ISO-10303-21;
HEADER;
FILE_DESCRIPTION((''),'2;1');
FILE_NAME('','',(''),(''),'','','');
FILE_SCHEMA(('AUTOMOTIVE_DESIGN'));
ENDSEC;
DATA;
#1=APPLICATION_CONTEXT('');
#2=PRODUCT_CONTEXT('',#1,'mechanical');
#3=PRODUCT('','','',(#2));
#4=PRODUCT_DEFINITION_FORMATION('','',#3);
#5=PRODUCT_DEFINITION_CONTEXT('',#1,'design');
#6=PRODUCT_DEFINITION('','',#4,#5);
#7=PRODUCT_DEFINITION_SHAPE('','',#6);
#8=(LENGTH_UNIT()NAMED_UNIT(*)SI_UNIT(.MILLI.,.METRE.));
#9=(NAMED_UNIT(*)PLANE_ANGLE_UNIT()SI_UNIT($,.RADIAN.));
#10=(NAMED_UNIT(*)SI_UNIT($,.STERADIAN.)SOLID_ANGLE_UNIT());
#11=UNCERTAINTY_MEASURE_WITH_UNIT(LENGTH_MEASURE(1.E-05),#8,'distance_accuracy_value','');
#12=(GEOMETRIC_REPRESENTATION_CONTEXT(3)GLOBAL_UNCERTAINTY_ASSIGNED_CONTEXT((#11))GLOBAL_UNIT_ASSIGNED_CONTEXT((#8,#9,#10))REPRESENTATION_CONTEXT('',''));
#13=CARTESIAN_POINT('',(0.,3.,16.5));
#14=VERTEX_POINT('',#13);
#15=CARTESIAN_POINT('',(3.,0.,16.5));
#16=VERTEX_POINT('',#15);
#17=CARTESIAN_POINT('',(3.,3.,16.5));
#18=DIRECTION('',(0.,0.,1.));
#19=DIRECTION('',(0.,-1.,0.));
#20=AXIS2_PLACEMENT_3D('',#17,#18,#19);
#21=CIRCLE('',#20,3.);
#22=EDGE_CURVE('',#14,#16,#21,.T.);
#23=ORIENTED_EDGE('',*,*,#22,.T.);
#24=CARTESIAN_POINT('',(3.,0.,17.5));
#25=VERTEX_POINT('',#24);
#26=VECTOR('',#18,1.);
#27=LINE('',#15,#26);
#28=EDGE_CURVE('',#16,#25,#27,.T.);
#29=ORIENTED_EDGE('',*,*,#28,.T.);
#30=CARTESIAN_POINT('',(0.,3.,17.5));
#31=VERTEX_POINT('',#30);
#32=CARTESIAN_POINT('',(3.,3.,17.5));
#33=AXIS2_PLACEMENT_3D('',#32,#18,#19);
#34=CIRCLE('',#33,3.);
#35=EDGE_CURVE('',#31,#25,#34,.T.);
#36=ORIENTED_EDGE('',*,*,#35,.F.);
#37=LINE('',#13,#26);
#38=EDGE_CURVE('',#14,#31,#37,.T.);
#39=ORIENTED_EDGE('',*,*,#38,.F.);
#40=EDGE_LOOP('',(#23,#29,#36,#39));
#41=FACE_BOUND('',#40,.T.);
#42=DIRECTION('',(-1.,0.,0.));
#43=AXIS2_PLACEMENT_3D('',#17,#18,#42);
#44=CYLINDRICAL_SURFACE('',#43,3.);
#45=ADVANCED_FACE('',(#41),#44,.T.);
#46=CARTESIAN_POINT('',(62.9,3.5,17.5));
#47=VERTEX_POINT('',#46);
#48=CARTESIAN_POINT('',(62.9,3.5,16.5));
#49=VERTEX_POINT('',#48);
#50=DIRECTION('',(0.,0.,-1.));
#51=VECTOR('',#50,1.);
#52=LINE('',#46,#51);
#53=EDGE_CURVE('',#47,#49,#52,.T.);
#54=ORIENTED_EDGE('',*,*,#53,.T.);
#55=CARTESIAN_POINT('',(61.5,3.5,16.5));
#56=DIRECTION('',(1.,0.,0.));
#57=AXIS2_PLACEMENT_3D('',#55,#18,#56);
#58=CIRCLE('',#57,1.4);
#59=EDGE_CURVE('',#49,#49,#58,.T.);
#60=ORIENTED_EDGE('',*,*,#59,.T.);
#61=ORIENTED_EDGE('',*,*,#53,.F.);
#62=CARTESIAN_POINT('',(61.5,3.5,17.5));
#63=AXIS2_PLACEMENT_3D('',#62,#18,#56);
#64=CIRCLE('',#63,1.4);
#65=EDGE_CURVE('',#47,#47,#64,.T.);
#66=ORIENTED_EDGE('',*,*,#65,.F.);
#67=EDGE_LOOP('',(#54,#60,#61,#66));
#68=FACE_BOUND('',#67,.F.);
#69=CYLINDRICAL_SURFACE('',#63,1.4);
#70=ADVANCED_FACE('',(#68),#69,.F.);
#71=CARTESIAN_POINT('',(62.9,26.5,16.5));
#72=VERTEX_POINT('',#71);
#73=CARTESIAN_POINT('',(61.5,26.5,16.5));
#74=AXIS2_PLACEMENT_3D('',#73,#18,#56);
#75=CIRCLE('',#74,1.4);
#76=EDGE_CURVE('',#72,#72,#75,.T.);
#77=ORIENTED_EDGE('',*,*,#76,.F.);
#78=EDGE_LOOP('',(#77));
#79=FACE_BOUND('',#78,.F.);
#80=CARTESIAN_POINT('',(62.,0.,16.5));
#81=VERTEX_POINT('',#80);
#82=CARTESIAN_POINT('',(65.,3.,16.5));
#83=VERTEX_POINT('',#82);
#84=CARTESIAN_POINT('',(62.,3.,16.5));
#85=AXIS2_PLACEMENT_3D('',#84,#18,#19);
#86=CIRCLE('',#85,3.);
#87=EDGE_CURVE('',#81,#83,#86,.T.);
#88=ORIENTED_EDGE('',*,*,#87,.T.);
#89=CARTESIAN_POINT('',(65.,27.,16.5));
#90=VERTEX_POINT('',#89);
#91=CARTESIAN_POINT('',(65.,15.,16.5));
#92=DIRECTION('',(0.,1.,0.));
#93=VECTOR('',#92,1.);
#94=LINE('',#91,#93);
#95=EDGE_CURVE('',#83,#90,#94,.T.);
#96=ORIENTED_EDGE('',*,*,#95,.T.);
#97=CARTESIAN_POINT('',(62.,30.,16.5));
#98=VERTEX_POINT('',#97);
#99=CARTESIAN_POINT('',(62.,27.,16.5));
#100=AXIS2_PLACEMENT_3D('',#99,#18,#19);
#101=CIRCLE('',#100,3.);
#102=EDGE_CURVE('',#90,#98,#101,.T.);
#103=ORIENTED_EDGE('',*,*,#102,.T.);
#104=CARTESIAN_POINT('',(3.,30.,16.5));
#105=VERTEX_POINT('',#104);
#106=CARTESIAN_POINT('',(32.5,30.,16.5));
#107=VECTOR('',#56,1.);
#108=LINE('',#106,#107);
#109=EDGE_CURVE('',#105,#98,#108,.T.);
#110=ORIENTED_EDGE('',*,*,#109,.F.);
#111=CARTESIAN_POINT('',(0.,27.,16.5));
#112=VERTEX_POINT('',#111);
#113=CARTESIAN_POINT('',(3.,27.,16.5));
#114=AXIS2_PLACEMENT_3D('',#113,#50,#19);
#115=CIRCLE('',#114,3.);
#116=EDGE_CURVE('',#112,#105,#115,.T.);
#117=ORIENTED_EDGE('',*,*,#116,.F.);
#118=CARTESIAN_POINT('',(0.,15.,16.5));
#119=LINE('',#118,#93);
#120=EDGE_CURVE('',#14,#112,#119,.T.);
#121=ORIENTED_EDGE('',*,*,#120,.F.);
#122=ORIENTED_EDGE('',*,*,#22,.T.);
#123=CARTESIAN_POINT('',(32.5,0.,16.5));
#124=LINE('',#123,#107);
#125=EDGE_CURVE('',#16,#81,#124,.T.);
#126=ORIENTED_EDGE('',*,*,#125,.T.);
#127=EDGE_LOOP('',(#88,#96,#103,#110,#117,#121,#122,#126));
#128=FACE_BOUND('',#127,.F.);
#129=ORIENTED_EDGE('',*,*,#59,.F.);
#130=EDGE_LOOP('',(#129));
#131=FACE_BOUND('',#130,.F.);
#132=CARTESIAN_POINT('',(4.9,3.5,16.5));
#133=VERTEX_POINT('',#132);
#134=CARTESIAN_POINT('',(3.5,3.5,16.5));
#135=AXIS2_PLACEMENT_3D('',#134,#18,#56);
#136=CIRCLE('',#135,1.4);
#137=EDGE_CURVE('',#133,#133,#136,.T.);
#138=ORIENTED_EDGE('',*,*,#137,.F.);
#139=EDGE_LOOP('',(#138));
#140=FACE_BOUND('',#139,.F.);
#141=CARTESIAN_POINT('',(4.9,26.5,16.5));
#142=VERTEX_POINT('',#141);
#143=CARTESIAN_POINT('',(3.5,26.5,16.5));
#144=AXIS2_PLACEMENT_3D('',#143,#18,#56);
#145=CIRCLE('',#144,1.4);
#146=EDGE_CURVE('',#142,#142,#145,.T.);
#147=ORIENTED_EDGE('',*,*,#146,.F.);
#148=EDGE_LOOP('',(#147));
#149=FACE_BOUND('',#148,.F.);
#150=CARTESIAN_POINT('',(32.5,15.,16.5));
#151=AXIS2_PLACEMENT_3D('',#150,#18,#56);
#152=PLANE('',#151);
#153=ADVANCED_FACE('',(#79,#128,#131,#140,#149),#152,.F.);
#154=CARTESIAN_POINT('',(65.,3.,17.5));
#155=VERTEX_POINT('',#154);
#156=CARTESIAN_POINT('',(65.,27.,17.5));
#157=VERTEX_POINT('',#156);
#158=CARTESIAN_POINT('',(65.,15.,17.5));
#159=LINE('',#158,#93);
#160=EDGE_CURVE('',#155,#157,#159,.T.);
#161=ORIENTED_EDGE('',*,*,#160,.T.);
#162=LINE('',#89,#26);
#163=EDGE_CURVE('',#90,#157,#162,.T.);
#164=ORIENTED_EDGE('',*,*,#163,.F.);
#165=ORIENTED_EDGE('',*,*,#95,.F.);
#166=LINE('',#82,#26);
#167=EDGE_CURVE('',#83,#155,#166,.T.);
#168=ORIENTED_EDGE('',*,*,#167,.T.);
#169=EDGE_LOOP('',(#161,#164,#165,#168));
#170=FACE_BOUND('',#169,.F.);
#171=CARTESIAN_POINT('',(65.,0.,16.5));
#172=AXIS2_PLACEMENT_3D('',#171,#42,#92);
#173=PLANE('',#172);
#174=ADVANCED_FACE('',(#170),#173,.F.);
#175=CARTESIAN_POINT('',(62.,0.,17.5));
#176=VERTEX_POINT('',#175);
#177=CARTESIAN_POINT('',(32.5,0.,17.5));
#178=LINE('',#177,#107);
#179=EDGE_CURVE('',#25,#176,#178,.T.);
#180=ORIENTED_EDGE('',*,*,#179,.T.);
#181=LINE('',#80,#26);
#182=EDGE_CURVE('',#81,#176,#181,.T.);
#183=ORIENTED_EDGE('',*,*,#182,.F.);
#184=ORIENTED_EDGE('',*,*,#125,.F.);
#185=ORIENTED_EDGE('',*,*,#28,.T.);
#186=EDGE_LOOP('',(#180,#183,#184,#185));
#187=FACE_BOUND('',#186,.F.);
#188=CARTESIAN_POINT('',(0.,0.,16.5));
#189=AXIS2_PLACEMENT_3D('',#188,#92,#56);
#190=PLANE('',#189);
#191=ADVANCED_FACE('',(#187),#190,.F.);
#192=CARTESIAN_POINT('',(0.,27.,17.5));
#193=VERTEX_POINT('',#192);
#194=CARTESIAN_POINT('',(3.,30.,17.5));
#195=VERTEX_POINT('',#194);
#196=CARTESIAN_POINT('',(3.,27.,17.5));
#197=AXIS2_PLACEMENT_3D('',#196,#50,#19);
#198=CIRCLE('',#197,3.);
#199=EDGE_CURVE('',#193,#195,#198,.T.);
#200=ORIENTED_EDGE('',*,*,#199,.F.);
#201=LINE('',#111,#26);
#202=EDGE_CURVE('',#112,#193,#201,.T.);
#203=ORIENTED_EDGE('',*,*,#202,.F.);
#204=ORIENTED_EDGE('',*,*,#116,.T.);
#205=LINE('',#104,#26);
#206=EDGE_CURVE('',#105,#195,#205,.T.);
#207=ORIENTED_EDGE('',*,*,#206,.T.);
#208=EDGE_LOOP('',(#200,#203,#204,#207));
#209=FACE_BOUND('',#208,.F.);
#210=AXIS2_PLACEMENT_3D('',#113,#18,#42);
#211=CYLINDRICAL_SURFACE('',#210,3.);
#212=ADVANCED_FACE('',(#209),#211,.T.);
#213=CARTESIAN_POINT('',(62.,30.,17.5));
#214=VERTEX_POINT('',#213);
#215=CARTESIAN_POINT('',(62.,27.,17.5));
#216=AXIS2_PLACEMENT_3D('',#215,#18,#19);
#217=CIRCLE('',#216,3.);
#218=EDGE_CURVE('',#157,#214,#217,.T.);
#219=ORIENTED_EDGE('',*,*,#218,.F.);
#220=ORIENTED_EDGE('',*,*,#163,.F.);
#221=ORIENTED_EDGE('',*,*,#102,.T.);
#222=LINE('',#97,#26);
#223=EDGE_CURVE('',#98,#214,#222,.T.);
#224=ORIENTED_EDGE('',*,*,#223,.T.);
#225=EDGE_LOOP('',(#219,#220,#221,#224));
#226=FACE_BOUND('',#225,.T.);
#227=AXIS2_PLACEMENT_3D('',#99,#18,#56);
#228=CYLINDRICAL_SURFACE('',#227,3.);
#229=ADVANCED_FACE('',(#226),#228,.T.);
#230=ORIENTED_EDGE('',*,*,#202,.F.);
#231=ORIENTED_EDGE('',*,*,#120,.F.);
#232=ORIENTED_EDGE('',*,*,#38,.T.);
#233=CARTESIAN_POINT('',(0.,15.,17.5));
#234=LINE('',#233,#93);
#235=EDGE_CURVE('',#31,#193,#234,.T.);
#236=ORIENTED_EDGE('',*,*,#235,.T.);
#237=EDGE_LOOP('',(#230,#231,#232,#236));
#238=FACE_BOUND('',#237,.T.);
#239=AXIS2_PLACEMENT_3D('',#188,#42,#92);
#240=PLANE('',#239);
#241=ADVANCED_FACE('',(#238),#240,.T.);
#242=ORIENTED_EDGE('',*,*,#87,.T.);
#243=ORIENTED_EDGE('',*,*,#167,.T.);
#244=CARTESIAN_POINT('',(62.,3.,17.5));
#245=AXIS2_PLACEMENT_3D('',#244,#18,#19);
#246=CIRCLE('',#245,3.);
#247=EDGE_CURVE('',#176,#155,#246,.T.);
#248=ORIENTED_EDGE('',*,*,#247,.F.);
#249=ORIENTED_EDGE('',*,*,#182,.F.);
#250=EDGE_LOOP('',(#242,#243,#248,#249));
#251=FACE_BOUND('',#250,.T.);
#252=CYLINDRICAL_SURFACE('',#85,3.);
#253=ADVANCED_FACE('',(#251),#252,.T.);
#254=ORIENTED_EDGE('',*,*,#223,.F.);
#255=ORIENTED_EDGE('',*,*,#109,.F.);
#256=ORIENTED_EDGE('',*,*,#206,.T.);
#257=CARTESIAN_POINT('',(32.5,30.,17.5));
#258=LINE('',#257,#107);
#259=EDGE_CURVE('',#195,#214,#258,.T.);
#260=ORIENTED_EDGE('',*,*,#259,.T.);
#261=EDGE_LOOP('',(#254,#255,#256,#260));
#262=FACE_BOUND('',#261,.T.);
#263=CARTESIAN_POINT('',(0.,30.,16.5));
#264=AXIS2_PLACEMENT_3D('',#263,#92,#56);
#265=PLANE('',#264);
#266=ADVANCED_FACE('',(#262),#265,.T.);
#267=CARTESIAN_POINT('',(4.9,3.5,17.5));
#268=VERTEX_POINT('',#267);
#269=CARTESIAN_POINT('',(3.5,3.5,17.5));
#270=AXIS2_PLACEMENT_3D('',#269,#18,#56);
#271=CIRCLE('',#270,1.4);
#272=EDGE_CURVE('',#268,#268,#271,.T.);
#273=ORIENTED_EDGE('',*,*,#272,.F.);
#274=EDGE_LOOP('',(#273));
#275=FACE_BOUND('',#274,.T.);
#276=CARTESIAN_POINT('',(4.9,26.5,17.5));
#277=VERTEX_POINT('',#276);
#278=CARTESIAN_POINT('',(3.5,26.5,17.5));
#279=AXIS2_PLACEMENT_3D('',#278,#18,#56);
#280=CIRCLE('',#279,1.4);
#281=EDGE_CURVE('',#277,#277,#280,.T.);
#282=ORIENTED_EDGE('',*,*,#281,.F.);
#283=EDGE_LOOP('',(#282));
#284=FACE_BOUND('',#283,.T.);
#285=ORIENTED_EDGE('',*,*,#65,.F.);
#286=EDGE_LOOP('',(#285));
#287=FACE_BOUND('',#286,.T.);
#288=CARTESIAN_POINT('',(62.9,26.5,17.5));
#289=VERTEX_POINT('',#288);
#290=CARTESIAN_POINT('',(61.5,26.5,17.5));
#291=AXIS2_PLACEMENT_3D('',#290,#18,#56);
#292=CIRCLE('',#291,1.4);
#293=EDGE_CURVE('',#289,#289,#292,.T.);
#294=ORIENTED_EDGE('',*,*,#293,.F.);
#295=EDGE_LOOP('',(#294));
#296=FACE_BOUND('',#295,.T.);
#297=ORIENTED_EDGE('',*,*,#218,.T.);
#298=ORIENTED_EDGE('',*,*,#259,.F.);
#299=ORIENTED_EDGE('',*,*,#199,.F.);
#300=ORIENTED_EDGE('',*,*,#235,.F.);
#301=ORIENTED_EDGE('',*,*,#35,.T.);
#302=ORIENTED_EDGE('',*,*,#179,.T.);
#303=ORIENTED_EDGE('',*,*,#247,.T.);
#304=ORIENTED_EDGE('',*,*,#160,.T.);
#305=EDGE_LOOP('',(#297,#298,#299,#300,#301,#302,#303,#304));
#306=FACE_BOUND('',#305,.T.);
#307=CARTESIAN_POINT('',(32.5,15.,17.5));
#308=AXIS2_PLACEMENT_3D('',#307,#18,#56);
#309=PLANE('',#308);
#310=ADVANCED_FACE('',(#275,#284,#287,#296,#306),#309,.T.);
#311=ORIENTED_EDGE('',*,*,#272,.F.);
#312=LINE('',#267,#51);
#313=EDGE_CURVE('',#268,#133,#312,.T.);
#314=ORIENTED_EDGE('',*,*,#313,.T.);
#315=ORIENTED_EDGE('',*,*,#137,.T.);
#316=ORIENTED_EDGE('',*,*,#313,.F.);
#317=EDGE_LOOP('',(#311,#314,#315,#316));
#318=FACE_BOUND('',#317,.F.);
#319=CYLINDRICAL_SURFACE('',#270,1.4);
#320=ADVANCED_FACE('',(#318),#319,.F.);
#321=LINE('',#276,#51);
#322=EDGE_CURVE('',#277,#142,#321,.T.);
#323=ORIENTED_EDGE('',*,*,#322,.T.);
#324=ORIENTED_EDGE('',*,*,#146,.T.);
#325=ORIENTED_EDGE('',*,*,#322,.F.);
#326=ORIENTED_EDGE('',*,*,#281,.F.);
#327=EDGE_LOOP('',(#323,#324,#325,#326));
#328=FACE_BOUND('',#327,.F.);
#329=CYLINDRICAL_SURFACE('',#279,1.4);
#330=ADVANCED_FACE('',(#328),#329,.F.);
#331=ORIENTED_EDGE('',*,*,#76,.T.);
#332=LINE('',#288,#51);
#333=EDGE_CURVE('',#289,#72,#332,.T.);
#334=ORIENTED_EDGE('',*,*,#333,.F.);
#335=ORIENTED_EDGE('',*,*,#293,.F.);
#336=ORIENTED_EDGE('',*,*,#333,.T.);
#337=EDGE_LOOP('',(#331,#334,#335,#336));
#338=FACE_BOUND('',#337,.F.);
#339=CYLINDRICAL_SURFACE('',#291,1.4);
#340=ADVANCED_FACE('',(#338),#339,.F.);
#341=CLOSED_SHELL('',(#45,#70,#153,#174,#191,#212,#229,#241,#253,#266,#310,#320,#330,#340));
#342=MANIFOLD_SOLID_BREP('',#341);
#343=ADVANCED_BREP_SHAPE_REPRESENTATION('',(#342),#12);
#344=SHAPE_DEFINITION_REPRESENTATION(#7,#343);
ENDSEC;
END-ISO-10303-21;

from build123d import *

# Parameters (mm, degrees)
SKETCH018_W            = 65
SKETCH018_H            = 30
PAD014_DEPTH           = 1
FILLET007_R            = 3
SKETCH019_R            = 1.4
POCKET003_DEPTH        = 5
LINEARPATTERN007_COUNT = 2
LINEARPATTERN007_PITCH = 58


with BuildPart() as part:
    # Sketch018 (on Face1 of ReferencePad013) → Pad014 (new body)
    with BuildSketch(Plane.XY.offset(16.5)):
        with Locations((32.5, 15)):
            Rectangle(SKETCH018_W, SKETCH018_H)
    extrude(amount=PAD014_DEPTH)

    # Fillet007
    fillet007_edges = [part.edges().sort_by_distance(p)[0] for p in [
        (0, 0, 17),
        (0, 30, 17),
        (65, 0, 17),
        (65, 30, 17),
    ]]
    fillet(fillet007_edges, radius=FILLET007_R)

    # Sketch019 (on Face5 of Fillet007) → Pocket003 (cut)
    with BuildSketch(Plane.XY.offset(17.5)):
        with Locations((3.5, 26.5)):
            Circle(SKETCH019_R)
        with Locations((3.5, 3.5)):
            Circle(SKETCH019_R)
    pocket003 = extrude(amount=-POCKET003_DEPTH, mode=Mode.SUBTRACT)

    # LinearPattern007: Pocket003 ×2
    with Locations(*[(i * LINEARPATTERN007_PITCH, 0, 0) for i in range(1, LINEARPATTERN007_COUNT)]):
        add(pocket003, mode=Mode.SUBTRACT)


solid = part.part
